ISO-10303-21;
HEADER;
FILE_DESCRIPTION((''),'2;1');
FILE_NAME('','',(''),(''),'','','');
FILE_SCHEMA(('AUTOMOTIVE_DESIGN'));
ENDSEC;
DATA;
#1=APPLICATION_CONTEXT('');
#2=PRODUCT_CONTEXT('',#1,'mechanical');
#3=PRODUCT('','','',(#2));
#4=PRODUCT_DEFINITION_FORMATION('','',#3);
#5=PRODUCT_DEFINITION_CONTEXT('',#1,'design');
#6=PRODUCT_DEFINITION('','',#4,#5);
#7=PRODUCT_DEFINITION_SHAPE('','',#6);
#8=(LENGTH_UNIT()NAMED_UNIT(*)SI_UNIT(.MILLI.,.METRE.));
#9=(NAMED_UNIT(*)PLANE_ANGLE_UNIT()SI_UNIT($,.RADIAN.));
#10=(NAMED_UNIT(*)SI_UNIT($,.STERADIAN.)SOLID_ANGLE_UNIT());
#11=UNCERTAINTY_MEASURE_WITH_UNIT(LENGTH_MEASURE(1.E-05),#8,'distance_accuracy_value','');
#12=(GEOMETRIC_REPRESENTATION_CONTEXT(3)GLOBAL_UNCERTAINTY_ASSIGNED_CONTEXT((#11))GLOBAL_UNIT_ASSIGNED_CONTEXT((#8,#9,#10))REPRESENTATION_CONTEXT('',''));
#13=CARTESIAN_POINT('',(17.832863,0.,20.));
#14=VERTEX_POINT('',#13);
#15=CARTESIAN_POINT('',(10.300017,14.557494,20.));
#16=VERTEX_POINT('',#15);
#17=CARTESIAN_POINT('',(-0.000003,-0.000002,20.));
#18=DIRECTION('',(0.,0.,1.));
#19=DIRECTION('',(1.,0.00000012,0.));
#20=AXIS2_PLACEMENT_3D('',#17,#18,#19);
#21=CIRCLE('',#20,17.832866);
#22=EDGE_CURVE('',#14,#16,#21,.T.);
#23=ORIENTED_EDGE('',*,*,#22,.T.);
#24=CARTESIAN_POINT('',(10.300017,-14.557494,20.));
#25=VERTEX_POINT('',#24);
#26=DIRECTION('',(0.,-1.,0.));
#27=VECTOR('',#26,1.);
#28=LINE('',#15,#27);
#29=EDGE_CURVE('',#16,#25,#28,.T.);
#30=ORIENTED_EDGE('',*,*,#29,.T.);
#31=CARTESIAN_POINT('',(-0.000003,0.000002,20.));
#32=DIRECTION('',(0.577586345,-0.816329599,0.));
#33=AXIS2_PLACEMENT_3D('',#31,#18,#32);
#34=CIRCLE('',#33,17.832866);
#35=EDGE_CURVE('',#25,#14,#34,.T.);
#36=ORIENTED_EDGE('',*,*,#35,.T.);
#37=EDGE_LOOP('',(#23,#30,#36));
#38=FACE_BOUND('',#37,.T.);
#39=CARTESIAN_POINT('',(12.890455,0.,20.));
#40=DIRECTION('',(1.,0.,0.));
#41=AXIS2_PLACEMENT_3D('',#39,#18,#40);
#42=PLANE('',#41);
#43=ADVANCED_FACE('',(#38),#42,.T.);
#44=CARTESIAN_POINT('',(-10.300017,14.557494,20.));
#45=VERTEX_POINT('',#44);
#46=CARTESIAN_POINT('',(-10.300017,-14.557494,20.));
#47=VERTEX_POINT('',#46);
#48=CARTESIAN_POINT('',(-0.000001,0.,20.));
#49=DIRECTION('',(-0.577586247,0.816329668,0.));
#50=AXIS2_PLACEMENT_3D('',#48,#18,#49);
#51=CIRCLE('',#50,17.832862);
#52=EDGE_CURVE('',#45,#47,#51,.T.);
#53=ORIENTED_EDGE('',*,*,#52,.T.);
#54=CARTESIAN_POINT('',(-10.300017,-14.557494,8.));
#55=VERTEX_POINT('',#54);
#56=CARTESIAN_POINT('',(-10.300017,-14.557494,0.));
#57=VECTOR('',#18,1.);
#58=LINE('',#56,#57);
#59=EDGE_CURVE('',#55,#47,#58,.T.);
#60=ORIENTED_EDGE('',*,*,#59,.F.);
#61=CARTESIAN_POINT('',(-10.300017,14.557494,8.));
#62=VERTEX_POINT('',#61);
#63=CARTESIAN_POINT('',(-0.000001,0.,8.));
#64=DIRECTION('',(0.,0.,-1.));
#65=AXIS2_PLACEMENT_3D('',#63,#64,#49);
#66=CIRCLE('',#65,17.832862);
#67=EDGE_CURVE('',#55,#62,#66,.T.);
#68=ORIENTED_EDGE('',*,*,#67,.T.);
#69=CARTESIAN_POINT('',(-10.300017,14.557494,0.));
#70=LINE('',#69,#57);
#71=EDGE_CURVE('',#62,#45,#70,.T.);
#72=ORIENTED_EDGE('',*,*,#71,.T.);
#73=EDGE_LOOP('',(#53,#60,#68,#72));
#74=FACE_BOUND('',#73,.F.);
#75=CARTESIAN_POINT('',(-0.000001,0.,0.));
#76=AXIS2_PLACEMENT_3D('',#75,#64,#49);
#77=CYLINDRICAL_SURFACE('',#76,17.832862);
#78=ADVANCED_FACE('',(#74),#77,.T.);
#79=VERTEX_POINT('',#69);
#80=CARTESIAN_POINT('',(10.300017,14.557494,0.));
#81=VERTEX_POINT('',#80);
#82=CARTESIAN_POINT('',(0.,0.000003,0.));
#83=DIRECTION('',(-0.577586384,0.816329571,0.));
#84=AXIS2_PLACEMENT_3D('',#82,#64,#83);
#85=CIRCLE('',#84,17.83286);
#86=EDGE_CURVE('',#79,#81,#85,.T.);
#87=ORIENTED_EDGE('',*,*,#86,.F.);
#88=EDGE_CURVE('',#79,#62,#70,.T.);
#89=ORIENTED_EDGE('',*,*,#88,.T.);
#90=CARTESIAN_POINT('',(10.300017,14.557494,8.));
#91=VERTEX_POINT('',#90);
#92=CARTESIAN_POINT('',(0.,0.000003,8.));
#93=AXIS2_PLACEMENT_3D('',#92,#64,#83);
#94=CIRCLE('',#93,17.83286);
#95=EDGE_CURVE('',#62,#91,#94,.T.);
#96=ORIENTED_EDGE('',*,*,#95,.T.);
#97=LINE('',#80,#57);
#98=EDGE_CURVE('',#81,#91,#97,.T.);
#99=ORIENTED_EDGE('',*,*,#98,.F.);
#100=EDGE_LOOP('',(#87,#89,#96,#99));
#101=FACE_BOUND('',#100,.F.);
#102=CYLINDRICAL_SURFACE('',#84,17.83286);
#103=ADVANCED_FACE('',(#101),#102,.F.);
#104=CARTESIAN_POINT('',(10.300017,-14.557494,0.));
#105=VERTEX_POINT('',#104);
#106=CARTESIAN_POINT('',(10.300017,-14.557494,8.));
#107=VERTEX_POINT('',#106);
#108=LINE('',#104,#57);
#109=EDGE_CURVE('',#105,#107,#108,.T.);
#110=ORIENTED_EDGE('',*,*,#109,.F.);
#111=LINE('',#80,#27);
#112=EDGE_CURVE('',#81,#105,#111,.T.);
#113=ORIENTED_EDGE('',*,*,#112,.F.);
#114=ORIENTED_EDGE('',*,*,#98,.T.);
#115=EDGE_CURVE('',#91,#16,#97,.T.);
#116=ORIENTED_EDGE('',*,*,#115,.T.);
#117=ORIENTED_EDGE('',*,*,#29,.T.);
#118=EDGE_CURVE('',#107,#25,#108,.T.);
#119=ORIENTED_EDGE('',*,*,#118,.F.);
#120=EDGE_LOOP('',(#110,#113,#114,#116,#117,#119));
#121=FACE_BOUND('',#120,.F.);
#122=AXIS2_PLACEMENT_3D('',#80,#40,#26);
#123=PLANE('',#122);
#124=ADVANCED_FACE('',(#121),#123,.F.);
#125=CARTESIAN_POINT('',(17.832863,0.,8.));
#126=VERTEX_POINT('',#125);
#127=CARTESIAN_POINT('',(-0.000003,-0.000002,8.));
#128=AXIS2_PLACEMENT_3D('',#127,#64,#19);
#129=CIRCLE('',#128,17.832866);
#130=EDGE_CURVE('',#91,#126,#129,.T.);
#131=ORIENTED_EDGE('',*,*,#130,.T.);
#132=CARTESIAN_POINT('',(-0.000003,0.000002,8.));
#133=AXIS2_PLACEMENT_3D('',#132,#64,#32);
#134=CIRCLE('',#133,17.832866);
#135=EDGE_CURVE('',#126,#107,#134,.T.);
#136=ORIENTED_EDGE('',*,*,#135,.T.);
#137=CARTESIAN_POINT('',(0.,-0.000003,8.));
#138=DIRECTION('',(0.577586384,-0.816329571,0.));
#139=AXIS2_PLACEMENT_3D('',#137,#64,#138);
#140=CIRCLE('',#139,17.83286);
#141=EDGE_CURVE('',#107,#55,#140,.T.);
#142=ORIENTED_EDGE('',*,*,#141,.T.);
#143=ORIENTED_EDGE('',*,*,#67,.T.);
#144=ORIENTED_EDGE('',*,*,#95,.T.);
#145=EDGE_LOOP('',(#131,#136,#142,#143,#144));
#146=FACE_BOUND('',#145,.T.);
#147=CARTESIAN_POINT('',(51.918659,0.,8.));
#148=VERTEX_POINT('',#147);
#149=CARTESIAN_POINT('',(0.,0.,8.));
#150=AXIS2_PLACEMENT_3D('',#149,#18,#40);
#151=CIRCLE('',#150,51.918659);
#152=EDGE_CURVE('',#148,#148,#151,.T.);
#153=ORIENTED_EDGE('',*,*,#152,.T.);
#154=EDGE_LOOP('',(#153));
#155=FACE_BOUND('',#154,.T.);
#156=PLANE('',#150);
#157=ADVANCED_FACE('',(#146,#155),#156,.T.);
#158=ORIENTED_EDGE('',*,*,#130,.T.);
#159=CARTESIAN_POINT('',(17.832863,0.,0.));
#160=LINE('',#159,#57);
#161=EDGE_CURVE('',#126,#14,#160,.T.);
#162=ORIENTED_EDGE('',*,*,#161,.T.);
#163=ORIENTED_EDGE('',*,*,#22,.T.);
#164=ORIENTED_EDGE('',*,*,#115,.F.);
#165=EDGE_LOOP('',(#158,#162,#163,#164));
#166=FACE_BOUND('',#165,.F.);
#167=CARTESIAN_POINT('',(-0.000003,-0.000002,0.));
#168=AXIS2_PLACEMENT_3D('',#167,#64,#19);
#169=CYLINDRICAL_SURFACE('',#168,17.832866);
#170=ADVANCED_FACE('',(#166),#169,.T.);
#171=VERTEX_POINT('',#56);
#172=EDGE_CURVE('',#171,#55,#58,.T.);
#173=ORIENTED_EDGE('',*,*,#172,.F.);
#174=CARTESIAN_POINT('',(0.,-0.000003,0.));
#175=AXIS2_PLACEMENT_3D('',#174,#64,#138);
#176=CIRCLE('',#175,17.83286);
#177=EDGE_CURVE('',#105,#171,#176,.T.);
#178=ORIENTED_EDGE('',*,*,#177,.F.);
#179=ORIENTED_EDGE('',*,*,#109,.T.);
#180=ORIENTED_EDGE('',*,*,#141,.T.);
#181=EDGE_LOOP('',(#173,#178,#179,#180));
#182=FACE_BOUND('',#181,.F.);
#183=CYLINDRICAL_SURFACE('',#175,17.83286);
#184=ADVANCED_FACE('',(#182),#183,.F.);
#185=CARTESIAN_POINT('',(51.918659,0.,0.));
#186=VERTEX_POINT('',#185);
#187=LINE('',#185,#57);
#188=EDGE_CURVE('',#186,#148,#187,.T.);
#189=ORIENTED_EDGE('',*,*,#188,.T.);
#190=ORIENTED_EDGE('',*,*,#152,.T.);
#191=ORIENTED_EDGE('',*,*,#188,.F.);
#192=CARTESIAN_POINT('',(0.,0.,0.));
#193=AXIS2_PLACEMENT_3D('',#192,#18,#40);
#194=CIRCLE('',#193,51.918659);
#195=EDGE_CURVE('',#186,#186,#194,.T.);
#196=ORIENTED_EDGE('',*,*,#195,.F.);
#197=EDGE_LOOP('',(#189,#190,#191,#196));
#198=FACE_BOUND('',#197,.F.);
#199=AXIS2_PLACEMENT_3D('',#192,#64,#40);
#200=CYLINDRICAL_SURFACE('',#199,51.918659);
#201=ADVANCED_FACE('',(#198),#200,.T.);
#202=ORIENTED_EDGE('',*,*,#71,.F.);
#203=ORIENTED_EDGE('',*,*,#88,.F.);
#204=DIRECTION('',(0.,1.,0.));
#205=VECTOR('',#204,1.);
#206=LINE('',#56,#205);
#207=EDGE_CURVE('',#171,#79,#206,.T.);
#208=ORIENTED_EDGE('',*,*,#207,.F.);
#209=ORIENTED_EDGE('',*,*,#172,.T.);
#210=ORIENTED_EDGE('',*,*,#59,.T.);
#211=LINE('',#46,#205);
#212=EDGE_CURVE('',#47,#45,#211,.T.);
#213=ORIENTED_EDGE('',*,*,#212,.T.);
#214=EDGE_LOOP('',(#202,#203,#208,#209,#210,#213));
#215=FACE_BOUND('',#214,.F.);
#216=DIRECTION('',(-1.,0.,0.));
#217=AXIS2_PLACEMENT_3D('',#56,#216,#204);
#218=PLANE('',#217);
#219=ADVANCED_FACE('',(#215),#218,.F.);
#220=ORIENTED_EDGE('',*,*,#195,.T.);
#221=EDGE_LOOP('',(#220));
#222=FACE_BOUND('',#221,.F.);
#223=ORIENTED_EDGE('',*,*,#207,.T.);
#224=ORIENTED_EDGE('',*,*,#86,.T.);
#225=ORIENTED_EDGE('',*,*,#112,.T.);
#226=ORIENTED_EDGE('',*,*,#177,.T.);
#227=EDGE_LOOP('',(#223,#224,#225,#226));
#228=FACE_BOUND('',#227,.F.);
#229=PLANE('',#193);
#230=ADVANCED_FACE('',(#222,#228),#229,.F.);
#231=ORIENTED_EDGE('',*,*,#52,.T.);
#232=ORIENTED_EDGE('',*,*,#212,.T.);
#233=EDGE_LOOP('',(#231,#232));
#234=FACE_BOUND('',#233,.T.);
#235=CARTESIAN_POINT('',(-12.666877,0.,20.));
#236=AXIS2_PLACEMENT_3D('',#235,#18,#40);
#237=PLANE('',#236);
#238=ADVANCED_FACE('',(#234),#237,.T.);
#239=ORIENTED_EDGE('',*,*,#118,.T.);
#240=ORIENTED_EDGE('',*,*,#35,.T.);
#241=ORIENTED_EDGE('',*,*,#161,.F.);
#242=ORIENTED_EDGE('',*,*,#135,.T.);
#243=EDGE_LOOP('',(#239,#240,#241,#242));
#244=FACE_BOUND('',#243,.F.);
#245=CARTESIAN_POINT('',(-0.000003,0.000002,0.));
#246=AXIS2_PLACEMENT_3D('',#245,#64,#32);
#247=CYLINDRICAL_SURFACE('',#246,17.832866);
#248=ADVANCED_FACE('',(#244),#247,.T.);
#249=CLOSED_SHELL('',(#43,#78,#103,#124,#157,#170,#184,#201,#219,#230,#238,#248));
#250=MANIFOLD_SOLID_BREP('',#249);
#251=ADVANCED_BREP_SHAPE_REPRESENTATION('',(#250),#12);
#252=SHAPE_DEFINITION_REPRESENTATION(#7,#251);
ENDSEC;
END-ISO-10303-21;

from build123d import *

# Parameters (mm, degrees)
F0_R     = 51.918659
F1_DEPTH = 8
F2_DEPTH = 20


with BuildPart() as f1:
    # F0 (on Top) → F1 (new body)
    with BuildSketch(Plane.XY):
        Circle(F0_R)
        with BuildLine():
            ThreePointArc((10.300017, 14.557494), (15.838083, 8.195493), (17.832863, 0))
            ThreePointArc((17.832863, 0), (15.838083, -8.195493), (10.300017, -14.557494))
            ThreePointArc((10.300017, -14.557494), (0, -17.832863), (-10.300017, -14.557494))
            ThreePointArc((-10.300017, -14.557494), (-17.832863, 0), (-10.300017, 14.557494))
            ThreePointArc((-10.300017, 14.557494), (0, 17.832863), (10.300017, 14.557494))
        make_face(mode=Mode.SUBTRACT)
        with BuildLine():
            Line((-10.300017, -14.557494), (-10.300017, 14.557494))
            ThreePointArc((-10.300017, 14.557494), (-17.832863, 0), (-10.300017, -14.557494))
        make_face()
        with BuildLine():
            ThreePointArc((10.300017, -14.557494), (15.838083, -8.195493), (17.832863, 0))
            ThreePointArc((17.832863, 0), (15.838083, 8.195493), (10.300017, 14.557494))
            Line((10.300017, 14.557494), (10.300017, -14.557494))
        make_face()
    extrude(amount=F1_DEPTH)

    # F0 (on Top) → F2 (join)
    with BuildSketch(Plane.XY):
        with BuildLine():
            Line((-10.300017, -14.557494), (-10.300017, 14.557494))
            ThreePointArc((-10.300017, 14.557494), (-17.832863, 0), (-10.300017, -14.557494))
        make_face()
        with BuildLine():
            ThreePointArc((10.300017, -14.557494), (15.838083, -8.195493), (17.832863, 0))
            ThreePointArc((17.832863, 0), (15.838083, 8.195493), (10.300017, 14.557494))
            Line((10.300017, 14.557494), (10.300017, -14.557494))
        make_face()
    extrude(amount=F2_DEPTH)


solid = f1.part
